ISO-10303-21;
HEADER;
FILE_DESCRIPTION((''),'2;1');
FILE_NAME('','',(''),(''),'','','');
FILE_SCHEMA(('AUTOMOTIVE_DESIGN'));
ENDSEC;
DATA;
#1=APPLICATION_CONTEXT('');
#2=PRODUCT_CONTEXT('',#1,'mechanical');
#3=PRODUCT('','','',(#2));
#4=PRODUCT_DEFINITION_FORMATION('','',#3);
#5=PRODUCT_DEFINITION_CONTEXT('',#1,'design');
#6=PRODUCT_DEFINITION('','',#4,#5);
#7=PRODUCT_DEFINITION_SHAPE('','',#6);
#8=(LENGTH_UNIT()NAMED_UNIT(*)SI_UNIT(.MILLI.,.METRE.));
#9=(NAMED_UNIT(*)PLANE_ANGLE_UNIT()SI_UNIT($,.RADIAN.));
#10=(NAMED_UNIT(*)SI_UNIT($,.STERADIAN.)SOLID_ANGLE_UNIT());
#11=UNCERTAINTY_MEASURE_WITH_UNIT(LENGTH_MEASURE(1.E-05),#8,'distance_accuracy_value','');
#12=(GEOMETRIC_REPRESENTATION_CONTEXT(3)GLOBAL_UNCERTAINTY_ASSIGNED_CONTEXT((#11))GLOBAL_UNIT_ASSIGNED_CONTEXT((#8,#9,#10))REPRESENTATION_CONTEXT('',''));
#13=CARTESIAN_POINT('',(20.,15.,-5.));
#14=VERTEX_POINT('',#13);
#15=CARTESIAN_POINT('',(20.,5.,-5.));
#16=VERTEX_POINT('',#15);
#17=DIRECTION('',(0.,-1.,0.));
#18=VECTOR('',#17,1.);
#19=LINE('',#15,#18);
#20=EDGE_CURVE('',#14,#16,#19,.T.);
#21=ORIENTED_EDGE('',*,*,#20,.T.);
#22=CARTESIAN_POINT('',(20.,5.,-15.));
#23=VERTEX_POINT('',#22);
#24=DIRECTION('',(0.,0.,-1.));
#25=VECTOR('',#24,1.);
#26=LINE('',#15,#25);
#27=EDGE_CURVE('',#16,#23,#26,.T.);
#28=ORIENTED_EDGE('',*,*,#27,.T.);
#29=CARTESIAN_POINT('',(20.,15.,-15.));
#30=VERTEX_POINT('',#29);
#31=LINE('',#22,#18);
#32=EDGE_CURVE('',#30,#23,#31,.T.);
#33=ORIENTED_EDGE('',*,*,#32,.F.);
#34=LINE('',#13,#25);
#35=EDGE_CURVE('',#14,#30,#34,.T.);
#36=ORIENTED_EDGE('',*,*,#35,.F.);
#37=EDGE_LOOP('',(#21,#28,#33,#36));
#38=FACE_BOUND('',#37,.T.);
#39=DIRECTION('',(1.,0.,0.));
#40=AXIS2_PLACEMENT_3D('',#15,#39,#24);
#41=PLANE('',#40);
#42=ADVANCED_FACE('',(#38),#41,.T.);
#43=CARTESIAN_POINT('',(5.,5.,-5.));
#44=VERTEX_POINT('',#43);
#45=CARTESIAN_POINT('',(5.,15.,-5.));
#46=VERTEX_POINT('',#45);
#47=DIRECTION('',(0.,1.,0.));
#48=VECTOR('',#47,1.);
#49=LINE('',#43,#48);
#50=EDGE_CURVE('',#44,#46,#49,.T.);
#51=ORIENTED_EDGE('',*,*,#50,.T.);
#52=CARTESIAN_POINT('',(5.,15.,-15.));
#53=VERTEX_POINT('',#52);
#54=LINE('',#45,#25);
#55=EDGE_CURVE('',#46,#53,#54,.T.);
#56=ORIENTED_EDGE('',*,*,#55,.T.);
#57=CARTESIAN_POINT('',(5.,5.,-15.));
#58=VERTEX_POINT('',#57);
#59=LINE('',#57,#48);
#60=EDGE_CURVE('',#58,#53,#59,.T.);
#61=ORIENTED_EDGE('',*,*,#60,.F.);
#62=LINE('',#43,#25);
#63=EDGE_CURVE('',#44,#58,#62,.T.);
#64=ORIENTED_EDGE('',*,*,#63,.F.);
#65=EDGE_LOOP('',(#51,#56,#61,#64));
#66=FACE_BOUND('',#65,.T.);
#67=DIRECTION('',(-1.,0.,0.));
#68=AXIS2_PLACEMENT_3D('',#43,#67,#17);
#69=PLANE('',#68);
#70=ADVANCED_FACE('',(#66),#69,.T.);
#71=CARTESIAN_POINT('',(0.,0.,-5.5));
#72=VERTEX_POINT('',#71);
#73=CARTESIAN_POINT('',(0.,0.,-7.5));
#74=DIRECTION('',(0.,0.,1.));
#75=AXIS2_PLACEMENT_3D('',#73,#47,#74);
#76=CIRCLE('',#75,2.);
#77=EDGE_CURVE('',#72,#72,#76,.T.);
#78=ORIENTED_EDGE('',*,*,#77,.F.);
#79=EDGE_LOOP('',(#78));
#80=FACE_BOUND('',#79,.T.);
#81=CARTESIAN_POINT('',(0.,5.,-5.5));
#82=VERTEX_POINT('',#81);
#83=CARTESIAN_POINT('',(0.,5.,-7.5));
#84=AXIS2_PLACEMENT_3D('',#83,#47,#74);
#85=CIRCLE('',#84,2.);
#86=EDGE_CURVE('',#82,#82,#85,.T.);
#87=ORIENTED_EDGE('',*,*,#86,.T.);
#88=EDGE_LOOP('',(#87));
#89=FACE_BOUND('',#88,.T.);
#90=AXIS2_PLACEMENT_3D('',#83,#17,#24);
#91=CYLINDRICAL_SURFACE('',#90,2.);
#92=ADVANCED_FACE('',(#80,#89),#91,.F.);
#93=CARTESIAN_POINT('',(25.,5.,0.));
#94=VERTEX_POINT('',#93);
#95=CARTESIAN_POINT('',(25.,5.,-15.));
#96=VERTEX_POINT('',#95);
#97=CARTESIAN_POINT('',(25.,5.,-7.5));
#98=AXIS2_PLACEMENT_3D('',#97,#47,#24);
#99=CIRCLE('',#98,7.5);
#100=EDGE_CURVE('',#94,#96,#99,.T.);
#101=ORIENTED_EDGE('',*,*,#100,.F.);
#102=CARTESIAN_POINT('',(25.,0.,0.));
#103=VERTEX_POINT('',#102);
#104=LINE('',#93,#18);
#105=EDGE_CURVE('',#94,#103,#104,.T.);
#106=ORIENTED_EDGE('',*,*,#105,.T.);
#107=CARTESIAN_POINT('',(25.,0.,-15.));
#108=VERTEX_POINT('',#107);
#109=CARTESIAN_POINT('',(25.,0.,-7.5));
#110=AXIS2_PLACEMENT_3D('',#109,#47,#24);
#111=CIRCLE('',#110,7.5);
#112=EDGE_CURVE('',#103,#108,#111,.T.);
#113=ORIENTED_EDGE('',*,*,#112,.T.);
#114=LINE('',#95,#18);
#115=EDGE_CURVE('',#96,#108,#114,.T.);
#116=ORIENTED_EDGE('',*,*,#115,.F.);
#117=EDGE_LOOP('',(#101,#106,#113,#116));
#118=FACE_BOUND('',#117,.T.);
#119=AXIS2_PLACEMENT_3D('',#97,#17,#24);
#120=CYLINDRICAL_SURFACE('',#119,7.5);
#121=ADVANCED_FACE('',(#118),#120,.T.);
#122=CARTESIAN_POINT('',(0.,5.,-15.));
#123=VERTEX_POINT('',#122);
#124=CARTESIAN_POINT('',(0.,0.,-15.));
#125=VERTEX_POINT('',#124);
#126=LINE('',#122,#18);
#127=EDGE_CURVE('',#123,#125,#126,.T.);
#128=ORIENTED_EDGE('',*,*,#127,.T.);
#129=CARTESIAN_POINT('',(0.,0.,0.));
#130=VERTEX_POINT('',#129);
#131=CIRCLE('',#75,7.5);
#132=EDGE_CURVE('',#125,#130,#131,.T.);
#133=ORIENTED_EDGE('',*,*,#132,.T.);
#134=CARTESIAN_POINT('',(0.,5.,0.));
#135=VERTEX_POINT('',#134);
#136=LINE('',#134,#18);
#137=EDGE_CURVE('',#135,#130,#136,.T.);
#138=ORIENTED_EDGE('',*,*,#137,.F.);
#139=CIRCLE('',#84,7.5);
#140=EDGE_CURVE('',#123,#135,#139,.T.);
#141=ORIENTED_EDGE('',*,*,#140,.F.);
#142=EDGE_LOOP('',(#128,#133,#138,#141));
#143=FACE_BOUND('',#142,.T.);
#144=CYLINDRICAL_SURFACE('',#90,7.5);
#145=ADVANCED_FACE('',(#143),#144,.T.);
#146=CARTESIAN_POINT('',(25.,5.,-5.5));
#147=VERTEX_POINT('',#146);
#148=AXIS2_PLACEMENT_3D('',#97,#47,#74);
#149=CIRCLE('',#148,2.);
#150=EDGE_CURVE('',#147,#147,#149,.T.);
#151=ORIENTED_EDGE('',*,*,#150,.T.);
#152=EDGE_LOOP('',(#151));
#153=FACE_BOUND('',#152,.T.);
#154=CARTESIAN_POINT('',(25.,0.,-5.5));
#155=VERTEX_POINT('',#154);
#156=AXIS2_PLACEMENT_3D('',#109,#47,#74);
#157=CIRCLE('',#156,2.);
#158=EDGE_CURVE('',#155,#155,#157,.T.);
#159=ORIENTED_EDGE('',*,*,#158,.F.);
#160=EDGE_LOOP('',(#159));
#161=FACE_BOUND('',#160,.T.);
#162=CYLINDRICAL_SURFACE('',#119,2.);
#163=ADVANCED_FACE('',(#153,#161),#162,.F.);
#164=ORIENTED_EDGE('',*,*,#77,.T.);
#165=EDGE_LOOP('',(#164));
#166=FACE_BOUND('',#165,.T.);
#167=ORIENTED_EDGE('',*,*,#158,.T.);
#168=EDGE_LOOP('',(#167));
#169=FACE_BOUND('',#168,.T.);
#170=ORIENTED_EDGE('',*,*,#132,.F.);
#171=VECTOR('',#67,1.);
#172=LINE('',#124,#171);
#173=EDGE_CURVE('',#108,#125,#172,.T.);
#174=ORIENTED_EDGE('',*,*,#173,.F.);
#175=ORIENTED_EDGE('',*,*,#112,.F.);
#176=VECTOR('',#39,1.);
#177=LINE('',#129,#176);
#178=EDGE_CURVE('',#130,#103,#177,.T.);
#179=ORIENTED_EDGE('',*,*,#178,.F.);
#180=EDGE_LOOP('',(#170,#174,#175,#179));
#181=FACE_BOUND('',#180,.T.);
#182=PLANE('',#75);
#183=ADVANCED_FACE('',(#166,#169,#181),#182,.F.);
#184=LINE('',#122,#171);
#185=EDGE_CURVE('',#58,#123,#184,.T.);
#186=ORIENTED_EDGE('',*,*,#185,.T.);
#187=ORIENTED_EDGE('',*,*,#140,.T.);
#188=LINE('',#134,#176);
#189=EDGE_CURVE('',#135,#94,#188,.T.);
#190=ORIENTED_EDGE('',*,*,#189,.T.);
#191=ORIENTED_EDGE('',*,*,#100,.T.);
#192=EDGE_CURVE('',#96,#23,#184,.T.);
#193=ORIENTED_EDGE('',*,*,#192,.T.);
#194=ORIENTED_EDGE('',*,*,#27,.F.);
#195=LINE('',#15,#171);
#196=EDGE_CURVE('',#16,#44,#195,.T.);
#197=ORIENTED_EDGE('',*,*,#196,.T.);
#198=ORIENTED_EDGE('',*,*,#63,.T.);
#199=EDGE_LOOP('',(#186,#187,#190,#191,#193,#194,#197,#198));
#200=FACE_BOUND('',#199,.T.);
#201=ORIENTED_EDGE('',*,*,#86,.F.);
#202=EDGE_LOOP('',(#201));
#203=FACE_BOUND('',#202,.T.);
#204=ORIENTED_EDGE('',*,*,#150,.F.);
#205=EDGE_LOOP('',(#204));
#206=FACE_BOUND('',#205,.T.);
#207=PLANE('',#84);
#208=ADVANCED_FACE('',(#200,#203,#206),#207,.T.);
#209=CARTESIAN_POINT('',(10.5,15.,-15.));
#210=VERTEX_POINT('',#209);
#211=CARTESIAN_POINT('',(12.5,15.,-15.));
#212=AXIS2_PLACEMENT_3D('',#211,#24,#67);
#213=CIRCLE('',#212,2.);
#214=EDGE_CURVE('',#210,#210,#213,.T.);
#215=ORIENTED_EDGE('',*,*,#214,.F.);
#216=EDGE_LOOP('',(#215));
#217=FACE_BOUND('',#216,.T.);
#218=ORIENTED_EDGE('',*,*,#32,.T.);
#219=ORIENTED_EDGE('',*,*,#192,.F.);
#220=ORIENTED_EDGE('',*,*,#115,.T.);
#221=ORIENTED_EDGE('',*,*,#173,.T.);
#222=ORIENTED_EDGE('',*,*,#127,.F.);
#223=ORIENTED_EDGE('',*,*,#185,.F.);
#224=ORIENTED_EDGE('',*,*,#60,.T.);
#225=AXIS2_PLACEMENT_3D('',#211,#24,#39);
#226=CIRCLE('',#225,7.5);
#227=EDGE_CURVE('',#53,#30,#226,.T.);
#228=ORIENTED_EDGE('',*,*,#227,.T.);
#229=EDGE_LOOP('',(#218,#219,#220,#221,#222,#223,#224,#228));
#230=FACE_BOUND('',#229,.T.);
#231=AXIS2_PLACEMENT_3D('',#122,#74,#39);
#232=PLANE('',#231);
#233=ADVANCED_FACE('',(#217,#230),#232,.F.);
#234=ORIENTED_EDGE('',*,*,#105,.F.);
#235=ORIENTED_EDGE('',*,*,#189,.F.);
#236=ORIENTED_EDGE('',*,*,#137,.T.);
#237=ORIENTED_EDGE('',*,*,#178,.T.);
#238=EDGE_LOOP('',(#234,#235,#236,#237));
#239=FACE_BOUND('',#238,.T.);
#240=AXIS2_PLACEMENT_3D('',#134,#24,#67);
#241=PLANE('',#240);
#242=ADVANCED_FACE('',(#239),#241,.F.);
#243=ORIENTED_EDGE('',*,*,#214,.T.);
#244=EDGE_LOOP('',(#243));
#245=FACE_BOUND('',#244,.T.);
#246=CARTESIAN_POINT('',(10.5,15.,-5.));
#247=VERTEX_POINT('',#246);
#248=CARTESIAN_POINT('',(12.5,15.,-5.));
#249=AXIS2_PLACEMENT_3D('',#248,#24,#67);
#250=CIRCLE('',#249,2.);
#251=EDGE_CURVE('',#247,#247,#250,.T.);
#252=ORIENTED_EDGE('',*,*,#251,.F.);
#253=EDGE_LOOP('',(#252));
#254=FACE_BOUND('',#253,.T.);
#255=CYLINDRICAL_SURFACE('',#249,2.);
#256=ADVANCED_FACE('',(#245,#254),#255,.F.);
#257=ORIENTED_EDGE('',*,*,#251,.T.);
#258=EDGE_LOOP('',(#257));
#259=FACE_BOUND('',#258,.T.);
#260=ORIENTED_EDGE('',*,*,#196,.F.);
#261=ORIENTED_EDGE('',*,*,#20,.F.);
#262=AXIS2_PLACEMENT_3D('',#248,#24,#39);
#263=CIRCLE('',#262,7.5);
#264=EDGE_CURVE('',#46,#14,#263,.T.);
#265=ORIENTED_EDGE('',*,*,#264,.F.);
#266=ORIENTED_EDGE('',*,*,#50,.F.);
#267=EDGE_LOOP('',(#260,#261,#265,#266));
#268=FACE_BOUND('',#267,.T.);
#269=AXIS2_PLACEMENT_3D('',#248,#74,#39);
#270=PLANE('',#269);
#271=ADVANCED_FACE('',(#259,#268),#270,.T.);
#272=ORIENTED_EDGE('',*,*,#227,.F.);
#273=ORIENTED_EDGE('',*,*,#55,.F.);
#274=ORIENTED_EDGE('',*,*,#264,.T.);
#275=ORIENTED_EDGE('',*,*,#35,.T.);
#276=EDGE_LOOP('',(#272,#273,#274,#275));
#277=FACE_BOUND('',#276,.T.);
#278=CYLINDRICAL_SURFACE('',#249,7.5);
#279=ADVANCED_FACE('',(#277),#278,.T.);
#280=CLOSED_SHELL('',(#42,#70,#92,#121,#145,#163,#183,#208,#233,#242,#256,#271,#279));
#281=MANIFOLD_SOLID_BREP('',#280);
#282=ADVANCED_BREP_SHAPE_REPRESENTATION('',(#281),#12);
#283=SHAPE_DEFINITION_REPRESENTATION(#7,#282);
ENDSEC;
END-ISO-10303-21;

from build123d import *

# Parameters (mm, degrees)
SKETCH1_R           = 2
BOSS_EXTRUDE1_DEPTH = 5
SKETCH3_R           = 2
BOSS_EXTRUDE2_DEPTH = 10


with BuildPart() as part:
    # Sketch1 → Boss-Extrude1 (new body)
    with BuildSketch(Plane(origin=(0, 0, 0), x_dir=(1, 0, 0), z_dir=(0, 1, 0))):
        with BuildLine():
            Line((0, 0), (25, 0))
            ThreePointArc((25, 0), (32.5, 7.5), (25, 15))
            Line((25, 15), (0, 15))
            ThreePointArc((0, 15), (-7.5, 7.5), (0, 0))
        make_face()
        with Locations((0, 7.5)):
            Circle(SKETCH1_R, mode=Mode.SUBTRACT)
        with Locations((25, 7.5)):
            Circle(SKETCH1_R, mode=Mode.SUBTRACT)
    extrude(amount=BOSS_EXTRUDE1_DEPTH)

    # Sketch3 → Boss-Extrude2 (add)
    with BuildSketch(Plane(origin=(0, 0, -15), x_dir=(-1, 0, 0), z_dir=(0, 0, -1))):
        with BuildLine():
            Line((-20, 5), (-5, 5))
            Line((-5, 5), (-5, 15))
            ThreePointArc((-5, 15), (-12.5, 22.5), (-20, 15))
            Line((-20, 15), (-20, 5))
        make_face()
        with Locations((-12.5, 15)):
            Circle(SKETCH3_R, mode=Mode.SUBTRACT)
    extrude(amount=-BOSS_EXTRUDE2_DEPTH)


solid = part.part
